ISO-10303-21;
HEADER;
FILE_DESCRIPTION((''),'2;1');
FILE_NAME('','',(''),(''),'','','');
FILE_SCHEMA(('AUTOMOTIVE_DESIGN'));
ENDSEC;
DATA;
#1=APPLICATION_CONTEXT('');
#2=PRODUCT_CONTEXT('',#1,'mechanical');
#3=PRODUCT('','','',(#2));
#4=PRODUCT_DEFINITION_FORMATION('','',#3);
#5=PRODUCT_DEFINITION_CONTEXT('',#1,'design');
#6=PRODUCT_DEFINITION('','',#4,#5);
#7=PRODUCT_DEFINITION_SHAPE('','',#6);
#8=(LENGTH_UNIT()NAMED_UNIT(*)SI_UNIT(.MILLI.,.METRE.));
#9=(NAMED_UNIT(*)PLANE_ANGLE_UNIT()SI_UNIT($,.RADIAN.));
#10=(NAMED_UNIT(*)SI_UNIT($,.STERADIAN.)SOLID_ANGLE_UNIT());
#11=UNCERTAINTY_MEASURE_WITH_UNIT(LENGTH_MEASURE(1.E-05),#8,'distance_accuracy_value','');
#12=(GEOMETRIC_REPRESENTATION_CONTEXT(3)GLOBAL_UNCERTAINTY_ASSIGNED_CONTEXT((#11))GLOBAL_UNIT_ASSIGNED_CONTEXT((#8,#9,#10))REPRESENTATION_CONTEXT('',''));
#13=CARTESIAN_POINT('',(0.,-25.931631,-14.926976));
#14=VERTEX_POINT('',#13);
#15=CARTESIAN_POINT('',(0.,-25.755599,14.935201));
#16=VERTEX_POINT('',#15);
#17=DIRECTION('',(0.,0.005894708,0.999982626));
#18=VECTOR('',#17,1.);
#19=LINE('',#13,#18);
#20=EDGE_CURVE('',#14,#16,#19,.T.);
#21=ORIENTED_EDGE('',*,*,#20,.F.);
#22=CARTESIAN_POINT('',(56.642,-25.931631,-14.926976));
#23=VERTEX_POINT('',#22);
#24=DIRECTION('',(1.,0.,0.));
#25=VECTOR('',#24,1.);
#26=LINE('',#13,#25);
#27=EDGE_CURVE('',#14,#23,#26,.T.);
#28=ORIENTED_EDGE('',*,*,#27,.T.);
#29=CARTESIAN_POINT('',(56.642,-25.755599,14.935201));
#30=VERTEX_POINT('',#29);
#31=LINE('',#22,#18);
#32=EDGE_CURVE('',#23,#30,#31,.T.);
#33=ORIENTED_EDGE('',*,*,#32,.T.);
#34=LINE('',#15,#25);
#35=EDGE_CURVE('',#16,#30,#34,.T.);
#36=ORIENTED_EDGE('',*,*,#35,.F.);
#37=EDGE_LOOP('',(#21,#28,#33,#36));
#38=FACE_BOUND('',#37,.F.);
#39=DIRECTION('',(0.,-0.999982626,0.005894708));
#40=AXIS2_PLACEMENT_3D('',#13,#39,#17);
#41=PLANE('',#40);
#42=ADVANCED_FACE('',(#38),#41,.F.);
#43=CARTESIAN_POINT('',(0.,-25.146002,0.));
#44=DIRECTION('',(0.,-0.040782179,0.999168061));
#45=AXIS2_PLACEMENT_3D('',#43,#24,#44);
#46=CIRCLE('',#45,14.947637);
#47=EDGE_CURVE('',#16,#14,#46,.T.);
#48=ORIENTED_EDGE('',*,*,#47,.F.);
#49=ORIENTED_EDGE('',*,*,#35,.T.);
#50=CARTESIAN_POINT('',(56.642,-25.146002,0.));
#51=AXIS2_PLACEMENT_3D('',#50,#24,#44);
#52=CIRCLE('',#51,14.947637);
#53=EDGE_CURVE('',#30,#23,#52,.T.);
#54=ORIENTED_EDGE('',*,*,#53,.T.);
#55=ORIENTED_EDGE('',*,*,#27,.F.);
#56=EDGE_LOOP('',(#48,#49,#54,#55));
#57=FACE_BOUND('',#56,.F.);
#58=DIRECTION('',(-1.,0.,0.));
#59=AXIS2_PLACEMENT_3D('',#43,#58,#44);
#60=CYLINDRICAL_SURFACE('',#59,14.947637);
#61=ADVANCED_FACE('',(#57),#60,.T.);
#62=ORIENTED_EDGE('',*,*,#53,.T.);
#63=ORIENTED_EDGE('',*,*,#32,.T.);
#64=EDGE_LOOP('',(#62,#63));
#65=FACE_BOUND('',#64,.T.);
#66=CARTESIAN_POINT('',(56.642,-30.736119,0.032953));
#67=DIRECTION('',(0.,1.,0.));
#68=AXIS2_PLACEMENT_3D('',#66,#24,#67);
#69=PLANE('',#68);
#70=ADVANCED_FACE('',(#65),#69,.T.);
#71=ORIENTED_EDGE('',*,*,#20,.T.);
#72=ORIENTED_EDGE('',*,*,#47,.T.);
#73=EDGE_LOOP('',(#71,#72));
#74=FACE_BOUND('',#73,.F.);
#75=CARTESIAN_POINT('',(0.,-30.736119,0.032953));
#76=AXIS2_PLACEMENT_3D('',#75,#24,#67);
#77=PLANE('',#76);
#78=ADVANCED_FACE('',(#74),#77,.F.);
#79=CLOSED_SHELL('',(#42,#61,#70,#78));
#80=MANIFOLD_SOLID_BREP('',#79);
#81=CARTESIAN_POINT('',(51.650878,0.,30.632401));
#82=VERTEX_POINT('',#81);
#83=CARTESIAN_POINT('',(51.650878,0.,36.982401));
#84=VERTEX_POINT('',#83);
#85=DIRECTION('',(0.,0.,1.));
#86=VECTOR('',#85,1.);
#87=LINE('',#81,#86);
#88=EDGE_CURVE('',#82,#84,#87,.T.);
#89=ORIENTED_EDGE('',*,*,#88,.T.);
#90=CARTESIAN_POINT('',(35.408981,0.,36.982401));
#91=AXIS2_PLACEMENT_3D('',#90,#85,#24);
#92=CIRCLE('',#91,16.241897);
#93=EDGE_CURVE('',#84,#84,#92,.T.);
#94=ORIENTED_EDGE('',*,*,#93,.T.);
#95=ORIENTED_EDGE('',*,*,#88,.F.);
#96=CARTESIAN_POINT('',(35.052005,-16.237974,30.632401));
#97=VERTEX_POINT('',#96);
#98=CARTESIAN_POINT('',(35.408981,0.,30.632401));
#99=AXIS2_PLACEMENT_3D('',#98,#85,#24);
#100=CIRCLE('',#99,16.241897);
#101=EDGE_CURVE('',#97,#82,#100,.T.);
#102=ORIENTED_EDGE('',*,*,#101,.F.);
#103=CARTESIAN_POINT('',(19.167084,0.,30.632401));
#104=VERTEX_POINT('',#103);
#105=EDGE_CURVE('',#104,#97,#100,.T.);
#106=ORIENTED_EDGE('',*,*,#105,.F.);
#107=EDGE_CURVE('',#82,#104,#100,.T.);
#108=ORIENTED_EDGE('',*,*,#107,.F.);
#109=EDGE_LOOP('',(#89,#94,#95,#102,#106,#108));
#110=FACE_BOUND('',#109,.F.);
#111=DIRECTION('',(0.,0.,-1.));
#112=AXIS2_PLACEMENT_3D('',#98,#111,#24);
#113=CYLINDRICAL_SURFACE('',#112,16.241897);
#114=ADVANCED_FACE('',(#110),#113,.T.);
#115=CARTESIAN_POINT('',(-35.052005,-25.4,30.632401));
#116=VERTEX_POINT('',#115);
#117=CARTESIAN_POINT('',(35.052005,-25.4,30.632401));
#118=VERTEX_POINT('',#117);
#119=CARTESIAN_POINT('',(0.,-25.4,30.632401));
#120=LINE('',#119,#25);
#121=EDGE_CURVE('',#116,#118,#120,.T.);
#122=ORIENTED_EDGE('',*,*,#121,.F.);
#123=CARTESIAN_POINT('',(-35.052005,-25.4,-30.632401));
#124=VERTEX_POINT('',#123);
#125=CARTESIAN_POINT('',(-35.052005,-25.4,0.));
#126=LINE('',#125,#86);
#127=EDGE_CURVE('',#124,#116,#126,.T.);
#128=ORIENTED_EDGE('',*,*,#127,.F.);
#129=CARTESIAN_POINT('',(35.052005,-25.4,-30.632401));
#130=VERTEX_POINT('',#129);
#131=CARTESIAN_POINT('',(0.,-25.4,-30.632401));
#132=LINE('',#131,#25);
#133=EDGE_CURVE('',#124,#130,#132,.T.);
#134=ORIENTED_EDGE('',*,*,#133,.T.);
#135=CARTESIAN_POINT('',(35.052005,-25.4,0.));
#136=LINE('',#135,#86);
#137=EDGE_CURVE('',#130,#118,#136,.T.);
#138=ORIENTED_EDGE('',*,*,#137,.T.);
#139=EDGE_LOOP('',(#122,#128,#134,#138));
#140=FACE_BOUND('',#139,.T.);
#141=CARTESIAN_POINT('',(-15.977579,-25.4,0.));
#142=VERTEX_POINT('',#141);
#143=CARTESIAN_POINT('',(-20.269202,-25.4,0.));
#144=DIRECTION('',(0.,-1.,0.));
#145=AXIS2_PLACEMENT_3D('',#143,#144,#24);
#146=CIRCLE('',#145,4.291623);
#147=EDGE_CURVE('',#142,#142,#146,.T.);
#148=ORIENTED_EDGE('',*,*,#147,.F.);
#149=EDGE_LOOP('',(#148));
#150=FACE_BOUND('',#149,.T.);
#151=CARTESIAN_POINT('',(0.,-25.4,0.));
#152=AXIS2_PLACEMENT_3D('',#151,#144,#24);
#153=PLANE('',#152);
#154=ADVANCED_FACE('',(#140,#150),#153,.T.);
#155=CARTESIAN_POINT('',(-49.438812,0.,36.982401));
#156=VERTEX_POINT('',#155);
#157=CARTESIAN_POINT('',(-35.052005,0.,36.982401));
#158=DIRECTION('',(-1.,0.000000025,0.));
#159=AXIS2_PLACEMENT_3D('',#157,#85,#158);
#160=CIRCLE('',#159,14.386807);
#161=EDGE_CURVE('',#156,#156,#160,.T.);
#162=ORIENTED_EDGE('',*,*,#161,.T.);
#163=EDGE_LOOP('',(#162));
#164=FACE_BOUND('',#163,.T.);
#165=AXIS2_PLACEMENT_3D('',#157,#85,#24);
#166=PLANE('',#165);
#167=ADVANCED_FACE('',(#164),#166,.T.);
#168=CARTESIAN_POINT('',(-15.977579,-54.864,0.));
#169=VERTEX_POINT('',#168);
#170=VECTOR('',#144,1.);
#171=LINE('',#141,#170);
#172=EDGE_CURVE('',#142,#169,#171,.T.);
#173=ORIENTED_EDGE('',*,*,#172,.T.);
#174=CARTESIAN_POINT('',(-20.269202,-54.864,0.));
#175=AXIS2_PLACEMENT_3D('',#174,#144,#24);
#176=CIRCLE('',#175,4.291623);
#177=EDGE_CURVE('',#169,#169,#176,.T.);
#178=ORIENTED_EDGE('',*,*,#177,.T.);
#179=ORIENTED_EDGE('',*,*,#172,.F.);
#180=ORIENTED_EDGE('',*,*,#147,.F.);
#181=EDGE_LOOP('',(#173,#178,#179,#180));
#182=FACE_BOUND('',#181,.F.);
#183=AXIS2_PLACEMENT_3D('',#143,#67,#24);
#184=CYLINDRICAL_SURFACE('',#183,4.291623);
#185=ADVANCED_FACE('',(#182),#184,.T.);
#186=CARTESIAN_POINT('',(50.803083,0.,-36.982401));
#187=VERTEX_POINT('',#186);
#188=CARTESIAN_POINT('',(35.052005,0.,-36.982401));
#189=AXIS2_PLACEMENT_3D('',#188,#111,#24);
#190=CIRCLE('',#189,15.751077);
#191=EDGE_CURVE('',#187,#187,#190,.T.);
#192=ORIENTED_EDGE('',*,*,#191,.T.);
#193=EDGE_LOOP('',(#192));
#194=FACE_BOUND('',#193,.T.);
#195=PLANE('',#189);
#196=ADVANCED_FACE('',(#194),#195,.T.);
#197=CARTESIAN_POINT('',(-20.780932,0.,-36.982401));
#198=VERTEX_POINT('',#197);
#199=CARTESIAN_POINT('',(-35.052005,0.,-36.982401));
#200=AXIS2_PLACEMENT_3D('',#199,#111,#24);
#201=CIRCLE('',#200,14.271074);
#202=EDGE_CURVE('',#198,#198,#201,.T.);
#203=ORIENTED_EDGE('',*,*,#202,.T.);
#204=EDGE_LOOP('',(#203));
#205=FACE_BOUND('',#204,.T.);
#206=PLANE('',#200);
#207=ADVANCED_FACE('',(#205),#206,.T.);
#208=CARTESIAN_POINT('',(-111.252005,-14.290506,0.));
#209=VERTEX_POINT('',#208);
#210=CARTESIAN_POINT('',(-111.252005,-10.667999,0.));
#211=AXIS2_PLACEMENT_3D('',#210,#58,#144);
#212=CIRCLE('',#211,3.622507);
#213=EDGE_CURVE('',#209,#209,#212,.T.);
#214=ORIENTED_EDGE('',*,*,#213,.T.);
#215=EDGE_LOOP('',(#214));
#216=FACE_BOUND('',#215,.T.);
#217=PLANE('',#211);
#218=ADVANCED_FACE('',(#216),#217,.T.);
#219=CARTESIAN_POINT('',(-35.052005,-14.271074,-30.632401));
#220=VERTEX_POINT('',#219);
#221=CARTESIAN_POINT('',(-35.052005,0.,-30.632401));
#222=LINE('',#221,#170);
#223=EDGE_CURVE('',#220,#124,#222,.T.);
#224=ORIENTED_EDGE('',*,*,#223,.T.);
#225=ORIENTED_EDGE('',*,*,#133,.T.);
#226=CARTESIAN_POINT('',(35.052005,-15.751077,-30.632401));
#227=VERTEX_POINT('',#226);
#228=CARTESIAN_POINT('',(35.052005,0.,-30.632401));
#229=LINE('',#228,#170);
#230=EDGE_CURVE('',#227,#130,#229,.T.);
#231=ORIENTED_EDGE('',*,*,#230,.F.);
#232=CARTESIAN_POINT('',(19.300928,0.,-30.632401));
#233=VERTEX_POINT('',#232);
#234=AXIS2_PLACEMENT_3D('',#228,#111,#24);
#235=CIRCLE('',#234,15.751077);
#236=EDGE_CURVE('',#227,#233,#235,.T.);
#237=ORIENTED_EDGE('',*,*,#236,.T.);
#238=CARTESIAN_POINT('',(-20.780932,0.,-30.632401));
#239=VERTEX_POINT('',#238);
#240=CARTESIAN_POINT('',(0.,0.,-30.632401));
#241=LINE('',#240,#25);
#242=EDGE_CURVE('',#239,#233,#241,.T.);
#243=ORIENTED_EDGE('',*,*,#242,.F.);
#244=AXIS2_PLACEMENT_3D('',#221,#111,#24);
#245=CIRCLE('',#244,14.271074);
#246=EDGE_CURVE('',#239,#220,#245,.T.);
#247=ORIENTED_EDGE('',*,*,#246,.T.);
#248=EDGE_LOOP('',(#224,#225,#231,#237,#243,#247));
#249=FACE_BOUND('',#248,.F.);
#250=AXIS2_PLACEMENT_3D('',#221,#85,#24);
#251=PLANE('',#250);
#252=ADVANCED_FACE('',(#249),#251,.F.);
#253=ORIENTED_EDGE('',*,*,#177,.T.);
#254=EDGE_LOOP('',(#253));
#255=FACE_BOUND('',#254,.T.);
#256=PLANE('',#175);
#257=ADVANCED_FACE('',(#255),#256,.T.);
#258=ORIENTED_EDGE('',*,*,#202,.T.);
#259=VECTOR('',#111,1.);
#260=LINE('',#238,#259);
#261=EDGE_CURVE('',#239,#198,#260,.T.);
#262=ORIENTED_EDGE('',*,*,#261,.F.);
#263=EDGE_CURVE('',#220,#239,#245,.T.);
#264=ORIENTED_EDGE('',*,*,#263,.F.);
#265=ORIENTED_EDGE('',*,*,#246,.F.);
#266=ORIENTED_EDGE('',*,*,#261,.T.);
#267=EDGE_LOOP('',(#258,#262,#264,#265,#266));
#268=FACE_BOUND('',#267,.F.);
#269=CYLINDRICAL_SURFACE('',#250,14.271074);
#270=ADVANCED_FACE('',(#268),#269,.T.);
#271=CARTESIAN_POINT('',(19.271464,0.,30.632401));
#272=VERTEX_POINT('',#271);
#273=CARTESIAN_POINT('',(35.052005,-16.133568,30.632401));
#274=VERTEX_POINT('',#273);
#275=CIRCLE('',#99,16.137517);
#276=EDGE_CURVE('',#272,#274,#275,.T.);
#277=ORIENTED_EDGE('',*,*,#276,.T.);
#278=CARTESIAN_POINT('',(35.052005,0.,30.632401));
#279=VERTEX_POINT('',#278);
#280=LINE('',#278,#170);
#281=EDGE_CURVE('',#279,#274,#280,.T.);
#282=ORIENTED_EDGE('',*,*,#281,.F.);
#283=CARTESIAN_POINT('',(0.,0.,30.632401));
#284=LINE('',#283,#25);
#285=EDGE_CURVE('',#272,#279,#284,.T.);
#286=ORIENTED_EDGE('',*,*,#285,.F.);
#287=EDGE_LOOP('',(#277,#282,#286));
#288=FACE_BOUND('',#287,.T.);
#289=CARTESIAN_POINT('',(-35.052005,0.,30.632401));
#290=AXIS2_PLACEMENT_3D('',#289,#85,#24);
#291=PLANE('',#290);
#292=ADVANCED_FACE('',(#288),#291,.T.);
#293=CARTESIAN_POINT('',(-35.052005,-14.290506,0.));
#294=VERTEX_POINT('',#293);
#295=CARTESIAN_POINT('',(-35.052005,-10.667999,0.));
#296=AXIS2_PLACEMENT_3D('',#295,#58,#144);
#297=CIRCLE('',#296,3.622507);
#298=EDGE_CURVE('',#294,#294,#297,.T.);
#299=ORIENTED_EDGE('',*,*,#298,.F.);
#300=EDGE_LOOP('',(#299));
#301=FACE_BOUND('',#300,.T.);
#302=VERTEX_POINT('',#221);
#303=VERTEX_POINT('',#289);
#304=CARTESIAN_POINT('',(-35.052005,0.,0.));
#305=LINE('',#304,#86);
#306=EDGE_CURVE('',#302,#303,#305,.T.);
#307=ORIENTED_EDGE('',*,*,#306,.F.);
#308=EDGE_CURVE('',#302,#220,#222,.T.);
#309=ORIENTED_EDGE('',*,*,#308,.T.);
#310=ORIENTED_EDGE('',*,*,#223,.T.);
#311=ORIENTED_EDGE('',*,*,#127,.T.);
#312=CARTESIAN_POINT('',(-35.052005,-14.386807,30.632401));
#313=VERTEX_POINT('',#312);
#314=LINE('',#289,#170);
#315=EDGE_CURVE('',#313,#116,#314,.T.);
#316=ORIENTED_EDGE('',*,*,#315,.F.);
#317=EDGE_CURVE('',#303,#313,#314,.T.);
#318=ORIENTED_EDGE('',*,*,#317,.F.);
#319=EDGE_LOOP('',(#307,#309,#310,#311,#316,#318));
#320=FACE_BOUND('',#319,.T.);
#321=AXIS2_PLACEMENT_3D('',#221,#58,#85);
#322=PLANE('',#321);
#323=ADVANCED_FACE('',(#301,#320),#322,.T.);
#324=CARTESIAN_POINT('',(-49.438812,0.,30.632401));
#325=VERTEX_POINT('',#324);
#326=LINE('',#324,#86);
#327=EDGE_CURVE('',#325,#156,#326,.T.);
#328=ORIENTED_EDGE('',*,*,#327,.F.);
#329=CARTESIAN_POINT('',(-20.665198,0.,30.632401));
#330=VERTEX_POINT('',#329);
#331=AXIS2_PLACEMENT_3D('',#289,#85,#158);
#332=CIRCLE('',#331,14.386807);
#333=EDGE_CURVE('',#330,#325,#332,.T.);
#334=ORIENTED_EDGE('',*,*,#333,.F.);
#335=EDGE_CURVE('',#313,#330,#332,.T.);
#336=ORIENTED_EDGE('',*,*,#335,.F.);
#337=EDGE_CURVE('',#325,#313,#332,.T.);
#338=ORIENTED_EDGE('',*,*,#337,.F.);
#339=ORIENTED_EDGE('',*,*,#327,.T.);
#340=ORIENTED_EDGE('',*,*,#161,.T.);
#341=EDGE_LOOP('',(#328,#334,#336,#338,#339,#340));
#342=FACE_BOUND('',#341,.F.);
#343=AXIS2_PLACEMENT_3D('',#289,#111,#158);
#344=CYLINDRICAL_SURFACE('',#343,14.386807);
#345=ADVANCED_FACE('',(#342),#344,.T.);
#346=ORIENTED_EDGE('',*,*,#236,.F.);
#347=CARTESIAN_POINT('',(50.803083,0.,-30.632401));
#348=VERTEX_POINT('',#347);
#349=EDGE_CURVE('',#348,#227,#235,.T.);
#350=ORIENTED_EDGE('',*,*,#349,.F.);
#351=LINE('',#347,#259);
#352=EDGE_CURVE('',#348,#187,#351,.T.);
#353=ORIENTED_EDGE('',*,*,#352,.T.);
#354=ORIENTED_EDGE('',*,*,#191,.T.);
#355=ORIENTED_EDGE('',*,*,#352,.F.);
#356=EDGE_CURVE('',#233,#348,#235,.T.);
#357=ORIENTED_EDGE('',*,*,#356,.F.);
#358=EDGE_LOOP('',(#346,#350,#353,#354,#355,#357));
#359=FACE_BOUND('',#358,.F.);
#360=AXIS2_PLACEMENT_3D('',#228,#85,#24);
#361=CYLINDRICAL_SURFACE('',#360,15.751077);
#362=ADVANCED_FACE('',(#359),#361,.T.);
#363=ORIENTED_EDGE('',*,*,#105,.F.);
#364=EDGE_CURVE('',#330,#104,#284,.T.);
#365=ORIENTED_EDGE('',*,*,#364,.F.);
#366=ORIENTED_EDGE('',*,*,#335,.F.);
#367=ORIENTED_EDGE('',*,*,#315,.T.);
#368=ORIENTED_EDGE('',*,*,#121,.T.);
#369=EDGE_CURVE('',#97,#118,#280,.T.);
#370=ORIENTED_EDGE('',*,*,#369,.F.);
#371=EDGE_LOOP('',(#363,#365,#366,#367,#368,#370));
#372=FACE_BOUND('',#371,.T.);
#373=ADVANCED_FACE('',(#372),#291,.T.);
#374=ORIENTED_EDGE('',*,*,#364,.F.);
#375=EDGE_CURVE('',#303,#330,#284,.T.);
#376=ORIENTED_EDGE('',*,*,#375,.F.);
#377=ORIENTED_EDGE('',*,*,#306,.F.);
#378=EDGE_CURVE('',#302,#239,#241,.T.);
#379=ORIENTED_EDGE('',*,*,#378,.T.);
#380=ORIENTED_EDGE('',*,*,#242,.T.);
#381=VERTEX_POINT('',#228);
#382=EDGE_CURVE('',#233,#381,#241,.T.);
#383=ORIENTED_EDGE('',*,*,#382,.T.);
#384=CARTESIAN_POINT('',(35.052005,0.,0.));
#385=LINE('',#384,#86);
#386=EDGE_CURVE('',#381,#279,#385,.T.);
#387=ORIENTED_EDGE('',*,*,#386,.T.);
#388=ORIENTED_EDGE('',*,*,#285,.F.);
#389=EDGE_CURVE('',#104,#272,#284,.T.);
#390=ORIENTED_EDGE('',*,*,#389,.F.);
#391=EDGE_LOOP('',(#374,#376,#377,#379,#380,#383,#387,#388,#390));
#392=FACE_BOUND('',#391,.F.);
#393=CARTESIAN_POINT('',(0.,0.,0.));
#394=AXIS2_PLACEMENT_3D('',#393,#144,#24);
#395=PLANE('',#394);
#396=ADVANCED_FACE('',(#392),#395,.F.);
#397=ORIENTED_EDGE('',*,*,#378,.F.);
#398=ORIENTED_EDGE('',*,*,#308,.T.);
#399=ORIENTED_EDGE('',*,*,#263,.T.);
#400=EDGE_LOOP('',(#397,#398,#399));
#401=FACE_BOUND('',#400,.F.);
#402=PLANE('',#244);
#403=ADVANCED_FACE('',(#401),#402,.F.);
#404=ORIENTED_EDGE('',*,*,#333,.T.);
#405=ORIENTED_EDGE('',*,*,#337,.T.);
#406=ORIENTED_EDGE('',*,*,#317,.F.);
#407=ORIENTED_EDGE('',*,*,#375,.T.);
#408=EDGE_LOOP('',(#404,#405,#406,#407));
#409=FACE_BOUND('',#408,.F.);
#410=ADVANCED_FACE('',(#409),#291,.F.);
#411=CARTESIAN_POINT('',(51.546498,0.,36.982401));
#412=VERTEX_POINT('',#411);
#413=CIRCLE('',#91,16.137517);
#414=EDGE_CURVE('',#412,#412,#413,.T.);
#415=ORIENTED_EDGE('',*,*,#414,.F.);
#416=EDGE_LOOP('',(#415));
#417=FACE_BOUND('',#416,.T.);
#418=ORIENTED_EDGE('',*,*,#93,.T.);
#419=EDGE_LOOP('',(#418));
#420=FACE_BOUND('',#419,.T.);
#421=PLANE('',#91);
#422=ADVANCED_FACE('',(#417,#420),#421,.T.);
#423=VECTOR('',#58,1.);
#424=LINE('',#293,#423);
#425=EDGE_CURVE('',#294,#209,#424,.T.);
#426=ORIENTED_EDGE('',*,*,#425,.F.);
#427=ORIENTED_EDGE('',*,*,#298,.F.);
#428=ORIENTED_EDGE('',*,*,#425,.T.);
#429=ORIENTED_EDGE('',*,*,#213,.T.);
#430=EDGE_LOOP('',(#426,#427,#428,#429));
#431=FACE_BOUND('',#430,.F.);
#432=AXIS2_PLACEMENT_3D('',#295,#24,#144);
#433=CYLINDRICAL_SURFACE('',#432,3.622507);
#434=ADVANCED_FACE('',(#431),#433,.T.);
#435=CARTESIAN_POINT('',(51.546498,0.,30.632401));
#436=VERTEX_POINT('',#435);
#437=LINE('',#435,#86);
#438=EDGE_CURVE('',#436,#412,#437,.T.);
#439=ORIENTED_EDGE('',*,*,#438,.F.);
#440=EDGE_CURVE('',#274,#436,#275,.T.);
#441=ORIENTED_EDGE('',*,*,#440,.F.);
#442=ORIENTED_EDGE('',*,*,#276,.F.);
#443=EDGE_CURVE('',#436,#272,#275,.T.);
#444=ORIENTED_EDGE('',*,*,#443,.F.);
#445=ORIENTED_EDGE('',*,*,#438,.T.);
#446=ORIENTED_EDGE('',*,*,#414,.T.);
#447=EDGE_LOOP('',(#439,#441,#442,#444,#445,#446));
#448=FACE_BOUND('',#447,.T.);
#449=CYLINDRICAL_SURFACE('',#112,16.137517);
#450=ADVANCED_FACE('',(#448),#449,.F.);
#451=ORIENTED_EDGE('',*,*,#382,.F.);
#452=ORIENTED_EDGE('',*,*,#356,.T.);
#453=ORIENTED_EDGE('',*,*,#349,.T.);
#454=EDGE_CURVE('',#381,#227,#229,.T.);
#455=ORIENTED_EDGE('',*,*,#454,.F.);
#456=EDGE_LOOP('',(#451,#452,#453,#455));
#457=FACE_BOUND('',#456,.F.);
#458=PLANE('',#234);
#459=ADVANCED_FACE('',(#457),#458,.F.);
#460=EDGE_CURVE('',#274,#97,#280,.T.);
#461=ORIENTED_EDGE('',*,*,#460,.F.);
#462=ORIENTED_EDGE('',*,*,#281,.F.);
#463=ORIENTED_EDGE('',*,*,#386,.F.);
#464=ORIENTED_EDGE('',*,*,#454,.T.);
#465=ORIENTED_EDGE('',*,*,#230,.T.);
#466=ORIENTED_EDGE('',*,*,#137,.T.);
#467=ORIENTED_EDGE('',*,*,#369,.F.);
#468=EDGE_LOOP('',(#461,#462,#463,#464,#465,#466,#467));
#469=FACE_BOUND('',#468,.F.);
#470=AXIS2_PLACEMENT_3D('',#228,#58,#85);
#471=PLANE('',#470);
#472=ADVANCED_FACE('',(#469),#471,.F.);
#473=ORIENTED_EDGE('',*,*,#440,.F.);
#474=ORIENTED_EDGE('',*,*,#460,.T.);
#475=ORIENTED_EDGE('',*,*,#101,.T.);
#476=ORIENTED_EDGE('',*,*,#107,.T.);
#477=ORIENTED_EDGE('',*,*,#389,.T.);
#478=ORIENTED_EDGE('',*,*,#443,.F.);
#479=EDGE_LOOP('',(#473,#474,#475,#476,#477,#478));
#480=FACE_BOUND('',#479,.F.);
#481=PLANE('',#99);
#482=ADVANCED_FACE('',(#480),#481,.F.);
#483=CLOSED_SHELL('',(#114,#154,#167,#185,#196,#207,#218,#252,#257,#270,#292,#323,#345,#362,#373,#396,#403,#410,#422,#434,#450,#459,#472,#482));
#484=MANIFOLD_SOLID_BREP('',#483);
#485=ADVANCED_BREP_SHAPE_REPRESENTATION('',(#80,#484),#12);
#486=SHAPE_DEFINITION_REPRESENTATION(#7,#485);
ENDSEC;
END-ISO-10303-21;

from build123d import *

# Parameters (mm, degrees)
F0_W      = 70.1040104032
F0_H      = 61.2648017704
F1_DEPTH  = 25.4
F2_R      = 14.2710735732
F2_R_2    = 15.7510774592
F3_DEPTH  = 6.35
F4_R      = 16.2418969222
F4_R_2    = 16.137517132
F5_DEPTH  = 6.35
F6_R      = 3.6225069007
F7_DEPTH  = 76.2
F9_DEPTH  = 56.642
F10_R     = 4.2916230847
F11_DEPTH = 29.464


with BuildPart() as f1:
    # F0 (on Front) → F1 (new body)
    with BuildSketch(Plane.XZ):
        Rectangle(F0_W, F0_H)
    extrude(amount=F1_DEPTH)

    # F2 (on face) → F3 (join)
    with BuildSketch(Plane(origin=(0, 0, -30.6324008852), x_dir=(1, 0, 0), z_dir=(0, 0, -1))):
        with Locations((-35.0520052016, 0)):
            Circle(F2_R)
        with Locations((35.0520052016, 0)):
            Circle(F2_R_2)
    extrude(amount=F3_DEPTH)

    # F4 (on face) → F5 (join)
    with BuildSketch(Plane.XY.offset(30.6324008852)):
        with Locations((35.4089811444, 0)):
            Circle(F4_R)
        with Locations((35.4089811444, 0)):
            Circle(F4_R_2, mode=Mode.SUBTRACT)
        with BuildLine():
            ThreePointArc((-20.6651981894, 0), (-35.0520050245, 14.3868070122), (-49.4388122138, 3.541e-07))
            ThreePointArc((-49.4388122138, 3.541e-07), (-35.0520053786, -14.3868070122), (-20.6651981894, 0))
        make_face()
        with BuildLine():
            ThreePointArc((-49.4388122138, 3.541e-07), (-35.1685991603, 14.2702128764), (-20.8983864609, 0))
            ThreePointArc((-20.8983864609, 0), (-35.1685995144, -14.2702128764), (-49.4388122138, 3.541e-07))
        make_face(mode=Mode.SUBTRACT)
        with BuildLine():
            ThreePointArc((-49.4388122138, 3.541e-07), (-35.1685995144, -14.2702128764), (-20.8983864609, 0))
            ThreePointArc((-20.8983864609, 0), (-35.1685991603, 14.2702128764), (-49.4388122138, 3.541e-07))
        make_face()
    extrude(amount=F5_DEPTH)

    # F6 (on face) → F7 (join)
    with BuildSketch(Plane(origin=(-35.0520052016, 0, 0), x_dir=(0, -1, 0), z_dir=(-1, 0, 0))):
        with Locations((10.667999275, 0)):
            Circle(F6_R)
    extrude(amount=F7_DEPTH)

    # F10 (on face) → F11 (join)
    with BuildSketch(Plane.XZ.offset(25.4)):
        with Locations((-20.2692020684, 0)):
            Circle(F10_R)
    extrude(amount=F11_DEPTH)


with BuildPart() as f9:
    # F8 (on Right) → F9 (new body)
    with BuildSketch(Plane.YZ):
        with BuildLine():
            Line((-25.9316310254, -14.9269764392), (-25.7555991411, 14.9352010339))
            ThreePointArc((-25.7555991411, 14.9352010339), (-40.0933788082, 0.0881119575), (-25.9316310254, -14.9269764392))
        make_face()
    extrude(amount=F9_DEPTH)


solid = Compound([f1.part, f9.part])
